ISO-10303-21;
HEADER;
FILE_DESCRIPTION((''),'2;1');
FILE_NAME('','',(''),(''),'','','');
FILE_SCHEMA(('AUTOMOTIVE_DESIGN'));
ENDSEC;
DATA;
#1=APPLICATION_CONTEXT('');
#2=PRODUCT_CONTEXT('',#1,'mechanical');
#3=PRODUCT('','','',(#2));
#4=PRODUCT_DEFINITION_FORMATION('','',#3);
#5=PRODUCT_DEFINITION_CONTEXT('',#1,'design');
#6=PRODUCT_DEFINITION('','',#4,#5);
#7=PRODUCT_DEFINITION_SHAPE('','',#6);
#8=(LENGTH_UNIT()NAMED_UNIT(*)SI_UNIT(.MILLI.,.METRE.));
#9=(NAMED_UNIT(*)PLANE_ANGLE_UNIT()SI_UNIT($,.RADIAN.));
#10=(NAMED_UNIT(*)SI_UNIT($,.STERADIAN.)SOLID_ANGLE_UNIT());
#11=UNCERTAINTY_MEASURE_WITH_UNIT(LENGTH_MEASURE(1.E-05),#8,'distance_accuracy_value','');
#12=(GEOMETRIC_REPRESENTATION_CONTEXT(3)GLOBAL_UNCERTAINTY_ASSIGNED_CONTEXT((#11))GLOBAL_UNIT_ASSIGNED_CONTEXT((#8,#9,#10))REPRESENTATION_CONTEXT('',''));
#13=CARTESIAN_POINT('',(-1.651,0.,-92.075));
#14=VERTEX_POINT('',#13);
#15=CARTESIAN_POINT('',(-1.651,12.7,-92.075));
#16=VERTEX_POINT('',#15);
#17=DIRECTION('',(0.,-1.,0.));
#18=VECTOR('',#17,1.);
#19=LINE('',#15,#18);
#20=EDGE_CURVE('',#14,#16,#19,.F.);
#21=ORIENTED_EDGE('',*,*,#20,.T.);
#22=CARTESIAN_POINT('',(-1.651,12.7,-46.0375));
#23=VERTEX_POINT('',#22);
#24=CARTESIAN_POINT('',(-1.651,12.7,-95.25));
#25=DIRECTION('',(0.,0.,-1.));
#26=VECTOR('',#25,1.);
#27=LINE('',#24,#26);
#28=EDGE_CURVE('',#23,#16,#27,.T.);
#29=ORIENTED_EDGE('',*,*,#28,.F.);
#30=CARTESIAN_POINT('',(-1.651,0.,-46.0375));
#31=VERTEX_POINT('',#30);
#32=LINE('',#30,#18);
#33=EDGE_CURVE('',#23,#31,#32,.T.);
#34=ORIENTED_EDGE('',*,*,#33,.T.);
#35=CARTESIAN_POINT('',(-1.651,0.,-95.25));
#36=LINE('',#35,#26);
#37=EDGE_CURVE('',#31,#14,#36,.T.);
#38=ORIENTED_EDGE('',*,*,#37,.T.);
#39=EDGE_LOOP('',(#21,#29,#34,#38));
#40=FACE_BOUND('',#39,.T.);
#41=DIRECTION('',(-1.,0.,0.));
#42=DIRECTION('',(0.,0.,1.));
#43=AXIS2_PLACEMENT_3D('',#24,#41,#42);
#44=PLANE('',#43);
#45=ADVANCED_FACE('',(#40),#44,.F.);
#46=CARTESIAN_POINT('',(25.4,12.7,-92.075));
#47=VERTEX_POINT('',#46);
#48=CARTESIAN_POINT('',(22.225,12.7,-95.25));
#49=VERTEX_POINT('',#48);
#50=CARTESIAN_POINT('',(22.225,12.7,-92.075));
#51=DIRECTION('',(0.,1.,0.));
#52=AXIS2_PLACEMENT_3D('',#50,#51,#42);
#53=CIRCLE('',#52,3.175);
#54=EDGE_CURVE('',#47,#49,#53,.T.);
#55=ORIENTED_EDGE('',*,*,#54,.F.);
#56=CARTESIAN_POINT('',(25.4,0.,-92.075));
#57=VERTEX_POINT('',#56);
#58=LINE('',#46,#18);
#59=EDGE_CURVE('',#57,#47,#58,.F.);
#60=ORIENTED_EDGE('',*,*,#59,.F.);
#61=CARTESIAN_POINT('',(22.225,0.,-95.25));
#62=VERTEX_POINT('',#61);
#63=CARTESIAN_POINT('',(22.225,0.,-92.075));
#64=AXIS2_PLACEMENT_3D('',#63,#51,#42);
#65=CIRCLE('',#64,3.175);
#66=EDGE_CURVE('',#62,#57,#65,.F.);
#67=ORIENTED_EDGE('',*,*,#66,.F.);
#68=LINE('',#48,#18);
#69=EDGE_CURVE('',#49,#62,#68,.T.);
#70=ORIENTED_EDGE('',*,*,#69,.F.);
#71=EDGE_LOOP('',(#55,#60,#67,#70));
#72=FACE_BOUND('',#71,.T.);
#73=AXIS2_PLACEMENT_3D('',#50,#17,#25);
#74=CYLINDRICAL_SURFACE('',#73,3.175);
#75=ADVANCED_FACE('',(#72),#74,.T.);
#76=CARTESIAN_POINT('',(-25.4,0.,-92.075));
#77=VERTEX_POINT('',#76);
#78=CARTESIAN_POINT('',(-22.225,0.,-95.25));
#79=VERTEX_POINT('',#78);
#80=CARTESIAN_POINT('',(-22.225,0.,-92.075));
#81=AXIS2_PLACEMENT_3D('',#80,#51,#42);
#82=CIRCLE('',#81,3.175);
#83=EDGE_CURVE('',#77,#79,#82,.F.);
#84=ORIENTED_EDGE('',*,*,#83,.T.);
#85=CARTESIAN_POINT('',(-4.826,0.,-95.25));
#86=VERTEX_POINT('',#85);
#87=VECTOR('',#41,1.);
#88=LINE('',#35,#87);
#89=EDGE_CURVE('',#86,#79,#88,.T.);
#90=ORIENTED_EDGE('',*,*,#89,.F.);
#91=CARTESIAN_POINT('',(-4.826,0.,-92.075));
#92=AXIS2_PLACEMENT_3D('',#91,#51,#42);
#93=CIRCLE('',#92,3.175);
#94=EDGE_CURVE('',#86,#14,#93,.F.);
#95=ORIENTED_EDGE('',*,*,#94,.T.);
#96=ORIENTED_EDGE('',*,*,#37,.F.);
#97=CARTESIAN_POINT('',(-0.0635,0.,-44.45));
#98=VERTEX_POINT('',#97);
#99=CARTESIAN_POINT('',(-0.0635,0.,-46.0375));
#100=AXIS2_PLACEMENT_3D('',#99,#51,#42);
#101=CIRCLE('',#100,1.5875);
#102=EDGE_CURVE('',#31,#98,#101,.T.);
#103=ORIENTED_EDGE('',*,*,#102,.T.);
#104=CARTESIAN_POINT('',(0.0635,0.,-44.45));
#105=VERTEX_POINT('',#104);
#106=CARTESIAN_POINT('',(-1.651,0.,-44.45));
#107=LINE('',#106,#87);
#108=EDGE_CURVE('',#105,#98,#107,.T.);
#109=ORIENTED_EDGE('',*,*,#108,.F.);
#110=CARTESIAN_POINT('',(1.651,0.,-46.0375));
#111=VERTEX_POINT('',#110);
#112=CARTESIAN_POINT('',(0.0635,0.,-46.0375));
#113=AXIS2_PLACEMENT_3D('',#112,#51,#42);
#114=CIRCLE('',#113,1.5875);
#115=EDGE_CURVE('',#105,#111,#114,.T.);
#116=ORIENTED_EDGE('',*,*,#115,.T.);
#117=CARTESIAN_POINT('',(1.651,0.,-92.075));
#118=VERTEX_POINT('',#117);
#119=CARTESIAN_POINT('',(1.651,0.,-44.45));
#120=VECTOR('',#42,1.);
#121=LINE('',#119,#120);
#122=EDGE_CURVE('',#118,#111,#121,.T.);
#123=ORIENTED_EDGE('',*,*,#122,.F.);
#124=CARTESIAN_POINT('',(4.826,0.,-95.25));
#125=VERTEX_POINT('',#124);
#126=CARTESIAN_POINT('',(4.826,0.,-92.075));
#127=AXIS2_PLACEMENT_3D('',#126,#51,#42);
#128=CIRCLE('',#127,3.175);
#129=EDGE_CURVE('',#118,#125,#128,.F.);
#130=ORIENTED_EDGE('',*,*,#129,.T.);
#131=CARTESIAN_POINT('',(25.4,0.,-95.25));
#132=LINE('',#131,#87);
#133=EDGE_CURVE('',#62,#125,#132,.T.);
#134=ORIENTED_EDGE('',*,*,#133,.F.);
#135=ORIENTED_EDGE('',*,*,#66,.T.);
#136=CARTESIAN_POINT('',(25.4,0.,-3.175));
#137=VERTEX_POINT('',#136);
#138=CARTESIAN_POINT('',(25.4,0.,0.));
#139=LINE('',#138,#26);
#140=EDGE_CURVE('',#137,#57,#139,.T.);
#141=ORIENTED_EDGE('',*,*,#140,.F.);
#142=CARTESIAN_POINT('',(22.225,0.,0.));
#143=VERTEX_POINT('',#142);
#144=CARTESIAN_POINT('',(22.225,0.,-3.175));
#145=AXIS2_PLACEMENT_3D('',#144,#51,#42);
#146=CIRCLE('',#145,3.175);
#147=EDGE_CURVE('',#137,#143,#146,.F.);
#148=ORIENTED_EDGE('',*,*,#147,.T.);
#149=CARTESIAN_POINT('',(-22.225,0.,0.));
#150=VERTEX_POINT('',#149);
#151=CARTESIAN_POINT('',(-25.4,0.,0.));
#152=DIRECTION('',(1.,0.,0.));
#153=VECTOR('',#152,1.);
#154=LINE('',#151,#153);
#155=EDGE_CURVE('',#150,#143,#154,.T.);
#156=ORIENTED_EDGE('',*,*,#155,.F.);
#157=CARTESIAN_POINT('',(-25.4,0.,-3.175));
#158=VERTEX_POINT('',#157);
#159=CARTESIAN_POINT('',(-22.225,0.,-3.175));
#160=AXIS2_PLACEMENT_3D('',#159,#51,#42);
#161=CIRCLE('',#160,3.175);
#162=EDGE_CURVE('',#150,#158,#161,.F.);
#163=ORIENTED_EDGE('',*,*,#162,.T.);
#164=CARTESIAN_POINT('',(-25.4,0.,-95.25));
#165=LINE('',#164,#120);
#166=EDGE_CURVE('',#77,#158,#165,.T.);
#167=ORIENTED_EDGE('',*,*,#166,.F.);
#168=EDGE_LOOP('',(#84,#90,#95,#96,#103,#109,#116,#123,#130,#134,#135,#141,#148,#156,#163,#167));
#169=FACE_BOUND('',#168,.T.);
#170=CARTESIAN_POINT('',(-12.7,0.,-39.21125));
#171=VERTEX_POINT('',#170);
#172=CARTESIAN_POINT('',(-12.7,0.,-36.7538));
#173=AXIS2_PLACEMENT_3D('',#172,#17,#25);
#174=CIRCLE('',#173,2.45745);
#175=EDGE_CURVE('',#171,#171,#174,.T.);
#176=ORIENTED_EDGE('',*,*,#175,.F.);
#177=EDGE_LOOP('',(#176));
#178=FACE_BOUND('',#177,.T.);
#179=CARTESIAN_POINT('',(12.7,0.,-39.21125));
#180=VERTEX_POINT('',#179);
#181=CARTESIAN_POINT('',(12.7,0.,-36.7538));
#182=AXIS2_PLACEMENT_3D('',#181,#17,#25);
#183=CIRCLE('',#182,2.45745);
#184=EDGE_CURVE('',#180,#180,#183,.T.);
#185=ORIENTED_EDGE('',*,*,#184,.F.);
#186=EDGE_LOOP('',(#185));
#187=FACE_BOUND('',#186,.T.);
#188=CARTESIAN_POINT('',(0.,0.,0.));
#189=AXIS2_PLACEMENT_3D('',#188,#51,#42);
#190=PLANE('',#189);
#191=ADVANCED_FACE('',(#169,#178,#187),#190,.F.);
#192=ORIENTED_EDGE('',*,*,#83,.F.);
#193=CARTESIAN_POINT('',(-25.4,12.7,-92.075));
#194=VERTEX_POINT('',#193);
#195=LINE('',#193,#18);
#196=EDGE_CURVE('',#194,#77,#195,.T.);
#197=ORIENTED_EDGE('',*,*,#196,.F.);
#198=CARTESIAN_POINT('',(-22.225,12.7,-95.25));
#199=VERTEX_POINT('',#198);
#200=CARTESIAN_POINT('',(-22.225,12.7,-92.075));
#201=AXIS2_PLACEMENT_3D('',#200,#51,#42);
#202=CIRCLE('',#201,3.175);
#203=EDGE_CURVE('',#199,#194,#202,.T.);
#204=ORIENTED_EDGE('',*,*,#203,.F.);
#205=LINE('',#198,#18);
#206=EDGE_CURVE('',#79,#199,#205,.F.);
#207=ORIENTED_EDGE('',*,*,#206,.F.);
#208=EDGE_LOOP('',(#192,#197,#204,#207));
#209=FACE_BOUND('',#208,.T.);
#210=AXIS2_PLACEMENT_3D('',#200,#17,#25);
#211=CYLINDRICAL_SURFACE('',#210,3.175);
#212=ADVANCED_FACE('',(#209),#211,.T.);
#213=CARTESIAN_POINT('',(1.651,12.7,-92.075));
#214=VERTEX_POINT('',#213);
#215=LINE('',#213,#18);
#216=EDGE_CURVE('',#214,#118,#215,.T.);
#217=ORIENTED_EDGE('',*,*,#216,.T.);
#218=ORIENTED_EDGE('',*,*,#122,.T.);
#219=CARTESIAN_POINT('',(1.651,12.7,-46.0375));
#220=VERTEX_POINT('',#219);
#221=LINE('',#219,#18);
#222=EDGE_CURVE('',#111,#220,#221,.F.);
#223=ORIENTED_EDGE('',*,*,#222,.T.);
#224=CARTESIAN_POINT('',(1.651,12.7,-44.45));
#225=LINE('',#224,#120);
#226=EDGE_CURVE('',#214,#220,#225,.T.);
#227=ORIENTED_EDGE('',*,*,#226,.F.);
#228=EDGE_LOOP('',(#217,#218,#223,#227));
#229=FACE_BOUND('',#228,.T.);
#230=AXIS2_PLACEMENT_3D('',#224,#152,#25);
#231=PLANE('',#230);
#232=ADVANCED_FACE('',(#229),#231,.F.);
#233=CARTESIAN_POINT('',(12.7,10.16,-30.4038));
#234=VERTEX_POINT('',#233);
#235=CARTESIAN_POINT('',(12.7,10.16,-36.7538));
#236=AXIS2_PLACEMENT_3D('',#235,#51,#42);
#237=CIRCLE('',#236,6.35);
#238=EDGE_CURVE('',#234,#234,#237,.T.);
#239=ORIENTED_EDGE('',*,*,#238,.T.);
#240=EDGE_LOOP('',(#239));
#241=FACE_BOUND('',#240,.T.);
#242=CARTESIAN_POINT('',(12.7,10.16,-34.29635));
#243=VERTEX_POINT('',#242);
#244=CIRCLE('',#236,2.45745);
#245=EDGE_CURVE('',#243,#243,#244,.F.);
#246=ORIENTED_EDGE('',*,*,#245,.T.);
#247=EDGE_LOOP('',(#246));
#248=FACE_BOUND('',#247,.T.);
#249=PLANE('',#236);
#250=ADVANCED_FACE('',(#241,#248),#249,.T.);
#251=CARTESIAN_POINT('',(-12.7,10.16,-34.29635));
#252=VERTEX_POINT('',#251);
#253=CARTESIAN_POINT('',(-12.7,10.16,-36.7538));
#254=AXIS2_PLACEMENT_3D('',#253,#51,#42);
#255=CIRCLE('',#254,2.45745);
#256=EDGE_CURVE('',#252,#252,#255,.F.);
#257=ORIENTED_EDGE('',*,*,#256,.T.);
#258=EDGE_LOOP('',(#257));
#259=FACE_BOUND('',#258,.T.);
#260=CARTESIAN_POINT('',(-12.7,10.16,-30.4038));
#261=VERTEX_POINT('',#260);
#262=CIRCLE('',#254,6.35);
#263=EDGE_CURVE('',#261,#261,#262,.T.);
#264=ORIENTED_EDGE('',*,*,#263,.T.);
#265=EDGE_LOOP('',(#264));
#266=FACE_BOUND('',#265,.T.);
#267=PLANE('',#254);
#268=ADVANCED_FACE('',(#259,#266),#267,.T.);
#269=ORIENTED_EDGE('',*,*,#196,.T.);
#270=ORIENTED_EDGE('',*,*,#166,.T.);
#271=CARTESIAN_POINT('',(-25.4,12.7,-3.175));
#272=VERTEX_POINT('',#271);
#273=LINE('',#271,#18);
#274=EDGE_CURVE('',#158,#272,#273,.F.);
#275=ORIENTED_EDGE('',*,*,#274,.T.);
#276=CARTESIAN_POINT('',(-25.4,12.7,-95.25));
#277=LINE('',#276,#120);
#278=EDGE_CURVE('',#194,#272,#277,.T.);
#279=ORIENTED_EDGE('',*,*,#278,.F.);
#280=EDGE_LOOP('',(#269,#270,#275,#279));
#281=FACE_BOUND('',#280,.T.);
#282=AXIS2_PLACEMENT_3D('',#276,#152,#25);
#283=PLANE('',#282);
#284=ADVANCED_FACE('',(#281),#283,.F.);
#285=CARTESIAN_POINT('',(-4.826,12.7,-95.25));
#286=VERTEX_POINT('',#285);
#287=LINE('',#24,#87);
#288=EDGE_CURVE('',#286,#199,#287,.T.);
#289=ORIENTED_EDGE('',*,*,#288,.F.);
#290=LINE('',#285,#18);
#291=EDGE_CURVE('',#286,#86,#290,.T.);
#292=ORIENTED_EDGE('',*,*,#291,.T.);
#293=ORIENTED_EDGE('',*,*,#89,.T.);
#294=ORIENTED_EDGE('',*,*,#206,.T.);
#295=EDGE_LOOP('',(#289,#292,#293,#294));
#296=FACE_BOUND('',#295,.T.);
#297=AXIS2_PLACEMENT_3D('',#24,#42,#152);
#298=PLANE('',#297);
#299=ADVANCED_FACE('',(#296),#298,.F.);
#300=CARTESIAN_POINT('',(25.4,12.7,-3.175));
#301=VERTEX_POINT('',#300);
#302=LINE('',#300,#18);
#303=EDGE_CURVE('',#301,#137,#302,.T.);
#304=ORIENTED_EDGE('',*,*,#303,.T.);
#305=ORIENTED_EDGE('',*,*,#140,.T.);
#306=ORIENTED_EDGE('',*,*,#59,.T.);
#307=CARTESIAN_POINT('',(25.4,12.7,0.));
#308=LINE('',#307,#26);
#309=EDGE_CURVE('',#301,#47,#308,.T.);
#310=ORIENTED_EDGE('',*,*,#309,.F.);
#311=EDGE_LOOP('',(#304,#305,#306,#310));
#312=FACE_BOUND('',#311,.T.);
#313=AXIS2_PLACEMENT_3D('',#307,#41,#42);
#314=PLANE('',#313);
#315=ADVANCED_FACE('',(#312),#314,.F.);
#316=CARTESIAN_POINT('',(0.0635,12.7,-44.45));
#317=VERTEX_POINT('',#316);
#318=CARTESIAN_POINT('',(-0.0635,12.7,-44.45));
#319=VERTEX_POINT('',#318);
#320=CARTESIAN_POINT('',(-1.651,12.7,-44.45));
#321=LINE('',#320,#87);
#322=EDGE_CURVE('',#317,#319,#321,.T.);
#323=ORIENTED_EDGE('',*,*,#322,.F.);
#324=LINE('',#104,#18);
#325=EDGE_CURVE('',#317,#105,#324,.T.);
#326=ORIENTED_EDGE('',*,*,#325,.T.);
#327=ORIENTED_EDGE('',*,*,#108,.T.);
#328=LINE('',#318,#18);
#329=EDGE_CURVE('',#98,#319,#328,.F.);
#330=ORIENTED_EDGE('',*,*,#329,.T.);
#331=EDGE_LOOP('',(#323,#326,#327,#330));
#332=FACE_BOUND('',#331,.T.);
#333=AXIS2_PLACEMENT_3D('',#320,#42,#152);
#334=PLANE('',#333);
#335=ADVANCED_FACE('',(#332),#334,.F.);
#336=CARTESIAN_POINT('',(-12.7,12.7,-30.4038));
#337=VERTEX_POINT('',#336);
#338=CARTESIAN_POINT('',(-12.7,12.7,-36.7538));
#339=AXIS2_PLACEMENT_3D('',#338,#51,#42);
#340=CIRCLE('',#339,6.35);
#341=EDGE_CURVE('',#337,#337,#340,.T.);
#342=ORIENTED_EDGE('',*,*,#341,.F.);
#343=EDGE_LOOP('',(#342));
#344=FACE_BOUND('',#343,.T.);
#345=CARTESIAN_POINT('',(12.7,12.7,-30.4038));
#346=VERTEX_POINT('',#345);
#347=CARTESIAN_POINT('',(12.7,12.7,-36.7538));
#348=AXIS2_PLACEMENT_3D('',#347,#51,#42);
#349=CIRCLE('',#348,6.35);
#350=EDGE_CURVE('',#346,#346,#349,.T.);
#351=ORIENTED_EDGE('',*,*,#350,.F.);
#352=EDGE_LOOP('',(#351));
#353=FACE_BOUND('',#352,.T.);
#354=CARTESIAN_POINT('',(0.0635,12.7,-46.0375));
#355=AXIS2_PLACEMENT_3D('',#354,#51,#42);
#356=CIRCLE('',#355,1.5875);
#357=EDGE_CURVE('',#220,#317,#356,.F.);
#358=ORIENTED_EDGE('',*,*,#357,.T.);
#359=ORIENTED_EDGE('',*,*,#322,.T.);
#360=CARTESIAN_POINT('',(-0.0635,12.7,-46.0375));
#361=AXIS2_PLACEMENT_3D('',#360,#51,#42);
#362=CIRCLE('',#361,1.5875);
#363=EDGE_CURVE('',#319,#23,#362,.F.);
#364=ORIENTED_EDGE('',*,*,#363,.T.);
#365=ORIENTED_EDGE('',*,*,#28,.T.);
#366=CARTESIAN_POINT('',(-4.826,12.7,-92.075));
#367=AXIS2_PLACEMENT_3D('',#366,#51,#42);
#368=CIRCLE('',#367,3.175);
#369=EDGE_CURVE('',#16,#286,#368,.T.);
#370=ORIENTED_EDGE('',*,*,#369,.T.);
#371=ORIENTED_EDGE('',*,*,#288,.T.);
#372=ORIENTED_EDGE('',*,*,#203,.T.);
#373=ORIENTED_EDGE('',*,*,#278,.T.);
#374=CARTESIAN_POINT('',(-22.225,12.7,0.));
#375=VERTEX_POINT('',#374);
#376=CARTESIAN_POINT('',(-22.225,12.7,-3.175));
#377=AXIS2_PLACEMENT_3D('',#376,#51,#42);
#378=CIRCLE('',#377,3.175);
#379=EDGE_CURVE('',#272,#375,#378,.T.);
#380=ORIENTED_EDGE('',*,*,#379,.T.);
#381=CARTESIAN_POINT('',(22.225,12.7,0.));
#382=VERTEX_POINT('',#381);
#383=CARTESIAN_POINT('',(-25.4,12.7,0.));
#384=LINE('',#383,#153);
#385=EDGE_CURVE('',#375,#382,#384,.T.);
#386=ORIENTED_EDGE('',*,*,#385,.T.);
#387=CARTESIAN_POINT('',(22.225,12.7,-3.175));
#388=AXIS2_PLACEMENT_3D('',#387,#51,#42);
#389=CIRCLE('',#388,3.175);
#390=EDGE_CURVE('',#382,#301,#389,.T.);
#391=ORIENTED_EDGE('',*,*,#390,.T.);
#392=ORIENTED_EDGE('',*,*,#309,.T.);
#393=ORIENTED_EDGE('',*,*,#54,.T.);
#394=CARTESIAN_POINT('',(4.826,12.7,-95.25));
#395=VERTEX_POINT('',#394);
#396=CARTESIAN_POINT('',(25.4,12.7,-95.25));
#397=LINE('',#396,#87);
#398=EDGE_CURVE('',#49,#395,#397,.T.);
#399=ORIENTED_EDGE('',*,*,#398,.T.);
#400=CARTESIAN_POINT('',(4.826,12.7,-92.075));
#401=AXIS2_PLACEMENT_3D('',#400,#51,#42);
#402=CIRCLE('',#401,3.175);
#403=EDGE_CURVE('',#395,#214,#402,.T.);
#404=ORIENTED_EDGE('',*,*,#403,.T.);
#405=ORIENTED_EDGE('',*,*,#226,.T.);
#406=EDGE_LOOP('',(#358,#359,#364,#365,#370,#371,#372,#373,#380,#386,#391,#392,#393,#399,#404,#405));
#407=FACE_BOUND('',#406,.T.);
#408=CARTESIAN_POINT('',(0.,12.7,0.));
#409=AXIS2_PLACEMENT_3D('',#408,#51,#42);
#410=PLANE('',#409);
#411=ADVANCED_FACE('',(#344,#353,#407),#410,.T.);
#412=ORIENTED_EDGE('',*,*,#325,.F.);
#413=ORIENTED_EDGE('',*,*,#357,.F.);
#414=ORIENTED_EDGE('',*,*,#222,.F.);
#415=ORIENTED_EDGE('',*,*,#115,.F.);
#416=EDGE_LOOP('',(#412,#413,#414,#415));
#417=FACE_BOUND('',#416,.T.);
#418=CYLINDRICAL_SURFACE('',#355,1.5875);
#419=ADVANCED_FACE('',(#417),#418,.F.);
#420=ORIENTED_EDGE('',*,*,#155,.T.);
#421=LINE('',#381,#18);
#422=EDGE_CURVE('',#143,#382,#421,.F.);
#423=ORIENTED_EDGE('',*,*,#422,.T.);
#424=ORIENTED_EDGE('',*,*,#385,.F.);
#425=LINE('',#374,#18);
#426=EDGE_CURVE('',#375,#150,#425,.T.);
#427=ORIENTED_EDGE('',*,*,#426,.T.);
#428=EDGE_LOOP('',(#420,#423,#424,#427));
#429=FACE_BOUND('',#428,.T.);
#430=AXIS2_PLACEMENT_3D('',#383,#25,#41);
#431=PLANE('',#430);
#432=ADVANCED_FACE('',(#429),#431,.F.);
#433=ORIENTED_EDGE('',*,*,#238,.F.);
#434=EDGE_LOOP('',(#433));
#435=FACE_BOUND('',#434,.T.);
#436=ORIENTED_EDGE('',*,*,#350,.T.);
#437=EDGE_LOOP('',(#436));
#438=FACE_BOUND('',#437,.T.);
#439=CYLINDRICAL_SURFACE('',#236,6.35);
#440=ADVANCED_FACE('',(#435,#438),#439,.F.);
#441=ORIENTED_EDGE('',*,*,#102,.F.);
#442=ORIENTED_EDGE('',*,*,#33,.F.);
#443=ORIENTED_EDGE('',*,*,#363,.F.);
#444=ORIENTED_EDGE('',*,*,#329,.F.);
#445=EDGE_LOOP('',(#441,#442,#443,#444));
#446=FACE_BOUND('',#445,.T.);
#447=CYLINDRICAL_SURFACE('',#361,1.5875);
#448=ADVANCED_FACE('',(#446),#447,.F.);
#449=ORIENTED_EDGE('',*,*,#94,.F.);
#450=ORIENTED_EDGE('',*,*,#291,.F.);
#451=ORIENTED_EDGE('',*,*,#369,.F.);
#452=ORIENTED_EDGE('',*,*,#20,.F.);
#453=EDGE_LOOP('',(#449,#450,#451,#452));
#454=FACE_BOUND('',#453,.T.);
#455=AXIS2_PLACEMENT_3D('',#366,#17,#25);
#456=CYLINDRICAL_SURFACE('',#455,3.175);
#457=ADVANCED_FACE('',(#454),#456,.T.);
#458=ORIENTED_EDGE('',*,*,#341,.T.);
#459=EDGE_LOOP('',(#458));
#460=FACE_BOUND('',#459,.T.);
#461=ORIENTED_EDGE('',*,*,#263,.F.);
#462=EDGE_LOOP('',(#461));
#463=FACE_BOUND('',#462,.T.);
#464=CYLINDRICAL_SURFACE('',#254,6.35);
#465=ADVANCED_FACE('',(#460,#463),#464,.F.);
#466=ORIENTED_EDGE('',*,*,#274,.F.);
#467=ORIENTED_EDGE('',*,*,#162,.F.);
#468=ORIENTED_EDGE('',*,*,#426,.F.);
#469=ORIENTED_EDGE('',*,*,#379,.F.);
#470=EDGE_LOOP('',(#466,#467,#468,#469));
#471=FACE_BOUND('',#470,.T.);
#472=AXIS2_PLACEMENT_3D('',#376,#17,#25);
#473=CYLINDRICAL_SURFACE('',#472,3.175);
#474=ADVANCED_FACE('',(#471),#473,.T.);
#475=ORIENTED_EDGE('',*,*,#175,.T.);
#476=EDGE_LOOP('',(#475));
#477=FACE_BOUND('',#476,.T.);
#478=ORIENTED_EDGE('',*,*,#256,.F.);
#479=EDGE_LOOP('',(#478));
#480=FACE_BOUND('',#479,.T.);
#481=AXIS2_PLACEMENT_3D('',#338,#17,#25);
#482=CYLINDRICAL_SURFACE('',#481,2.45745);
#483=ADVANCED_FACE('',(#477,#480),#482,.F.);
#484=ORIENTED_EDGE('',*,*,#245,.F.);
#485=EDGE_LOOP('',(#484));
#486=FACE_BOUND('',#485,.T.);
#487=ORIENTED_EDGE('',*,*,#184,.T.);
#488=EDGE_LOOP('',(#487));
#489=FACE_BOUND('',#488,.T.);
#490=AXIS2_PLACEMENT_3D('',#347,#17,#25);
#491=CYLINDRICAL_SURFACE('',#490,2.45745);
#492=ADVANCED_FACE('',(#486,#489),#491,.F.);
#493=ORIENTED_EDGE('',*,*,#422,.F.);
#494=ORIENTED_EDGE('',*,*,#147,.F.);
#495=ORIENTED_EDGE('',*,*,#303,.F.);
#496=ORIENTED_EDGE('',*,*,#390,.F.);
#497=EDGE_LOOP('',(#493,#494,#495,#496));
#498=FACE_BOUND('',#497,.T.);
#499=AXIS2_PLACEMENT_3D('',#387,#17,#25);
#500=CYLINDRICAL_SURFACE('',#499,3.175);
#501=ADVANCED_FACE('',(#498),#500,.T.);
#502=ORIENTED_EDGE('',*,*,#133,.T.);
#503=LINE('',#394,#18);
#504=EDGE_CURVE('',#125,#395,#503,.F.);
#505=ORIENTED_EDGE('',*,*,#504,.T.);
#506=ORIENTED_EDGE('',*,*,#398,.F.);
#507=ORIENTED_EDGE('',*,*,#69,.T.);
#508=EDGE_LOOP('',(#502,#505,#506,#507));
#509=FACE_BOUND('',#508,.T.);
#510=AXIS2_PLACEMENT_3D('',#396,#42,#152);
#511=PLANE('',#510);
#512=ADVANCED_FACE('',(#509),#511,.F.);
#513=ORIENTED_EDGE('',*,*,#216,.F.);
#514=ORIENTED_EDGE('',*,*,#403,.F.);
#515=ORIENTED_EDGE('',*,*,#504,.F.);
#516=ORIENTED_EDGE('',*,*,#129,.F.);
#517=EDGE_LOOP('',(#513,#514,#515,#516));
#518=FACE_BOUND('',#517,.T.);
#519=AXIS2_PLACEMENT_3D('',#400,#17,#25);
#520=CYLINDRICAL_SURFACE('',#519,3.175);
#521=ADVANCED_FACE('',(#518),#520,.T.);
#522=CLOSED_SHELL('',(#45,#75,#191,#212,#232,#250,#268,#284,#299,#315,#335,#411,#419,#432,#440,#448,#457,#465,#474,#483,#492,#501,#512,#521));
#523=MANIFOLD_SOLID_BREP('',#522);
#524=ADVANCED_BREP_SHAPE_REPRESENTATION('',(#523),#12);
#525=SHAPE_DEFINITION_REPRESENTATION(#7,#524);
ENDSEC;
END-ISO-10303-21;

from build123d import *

# Parameters (mm, degrees)
BOSS_EXTRUDE1_DEPTH = 12.7
FILLET1_R           = 3.175
FILLET2_R           = 1.5875
SKETCH2_R           = 2.45745
CUT_EXTRUDE1_DEPTH  = 13.7
SKETCH3_R           = 6.35
CUT_EXTRUDE2_DEPTH  = 2.54


with BuildPart() as part:
    # Sketch1 → Boss-Extrude1 (new body)
    with BuildSketch(Plane(origin=(0, 0, 0), x_dir=(1, 0, 0), z_dir=(0, 1, 0))):
        Polygon((-25.4, 0), (25.4, 0), (25.4, 95.25), (1.651, 95.25), (1.651, 44.45), (-1.651, 44.45), (-1.651, 95.25), (-25.4, 95.25), align=None)
    extrude(amount=BOSS_EXTRUDE1_DEPTH)

    # Fillet1
    fillet1_edges = [part.edges().sort_by_distance(p)[0] for p in [
        (-25.4, 6.35, -95.25),
        (-1.651, 6.35, -95.25),
        (1.651, 6.35, -95.25),
        (25.4, 6.35, -95.25),
        (25.4, 6.35, 0),
        (-25.4, 6.35, 0),
    ]]
    fillet(fillet1_edges, radius=FILLET1_R)

    # Fillet2
    fillet2_edges = [part.edges().sort_by_distance(p)[0] for p in [
        (-1.651, 6.35, -44.45),
        (1.651, 6.35, -44.45),
    ]]
    fillet(fillet2_edges, radius=FILLET2_R)

    # Sketch2 → Cut-Extrude1 (cut, through all)
    with BuildSketch(Plane.XZ):
        with Locations((-12.7, -36.7538)):
            Circle(SKETCH2_R)
        with Locations((12.7, -36.7538)):
            Circle(SKETCH2_R)
    extrude(amount=-CUT_EXTRUDE1_DEPTH, mode=Mode.SUBTRACT)

    # Sketch3 → Cut-Extrude2 (cut)
    with BuildSketch(Plane(origin=(0, 12.7, 0), x_dir=(1, 0, 0), z_dir=(0, 1, 0))):
        with Locations((12.7, 36.7538)):
            Circle(SKETCH3_R)
        with Locations((-12.7, 36.7538)):
            Circle(SKETCH3_R)
    extrude(amount=-CUT_EXTRUDE2_DEPTH, mode=Mode.SUBTRACT)


solid = part.part
